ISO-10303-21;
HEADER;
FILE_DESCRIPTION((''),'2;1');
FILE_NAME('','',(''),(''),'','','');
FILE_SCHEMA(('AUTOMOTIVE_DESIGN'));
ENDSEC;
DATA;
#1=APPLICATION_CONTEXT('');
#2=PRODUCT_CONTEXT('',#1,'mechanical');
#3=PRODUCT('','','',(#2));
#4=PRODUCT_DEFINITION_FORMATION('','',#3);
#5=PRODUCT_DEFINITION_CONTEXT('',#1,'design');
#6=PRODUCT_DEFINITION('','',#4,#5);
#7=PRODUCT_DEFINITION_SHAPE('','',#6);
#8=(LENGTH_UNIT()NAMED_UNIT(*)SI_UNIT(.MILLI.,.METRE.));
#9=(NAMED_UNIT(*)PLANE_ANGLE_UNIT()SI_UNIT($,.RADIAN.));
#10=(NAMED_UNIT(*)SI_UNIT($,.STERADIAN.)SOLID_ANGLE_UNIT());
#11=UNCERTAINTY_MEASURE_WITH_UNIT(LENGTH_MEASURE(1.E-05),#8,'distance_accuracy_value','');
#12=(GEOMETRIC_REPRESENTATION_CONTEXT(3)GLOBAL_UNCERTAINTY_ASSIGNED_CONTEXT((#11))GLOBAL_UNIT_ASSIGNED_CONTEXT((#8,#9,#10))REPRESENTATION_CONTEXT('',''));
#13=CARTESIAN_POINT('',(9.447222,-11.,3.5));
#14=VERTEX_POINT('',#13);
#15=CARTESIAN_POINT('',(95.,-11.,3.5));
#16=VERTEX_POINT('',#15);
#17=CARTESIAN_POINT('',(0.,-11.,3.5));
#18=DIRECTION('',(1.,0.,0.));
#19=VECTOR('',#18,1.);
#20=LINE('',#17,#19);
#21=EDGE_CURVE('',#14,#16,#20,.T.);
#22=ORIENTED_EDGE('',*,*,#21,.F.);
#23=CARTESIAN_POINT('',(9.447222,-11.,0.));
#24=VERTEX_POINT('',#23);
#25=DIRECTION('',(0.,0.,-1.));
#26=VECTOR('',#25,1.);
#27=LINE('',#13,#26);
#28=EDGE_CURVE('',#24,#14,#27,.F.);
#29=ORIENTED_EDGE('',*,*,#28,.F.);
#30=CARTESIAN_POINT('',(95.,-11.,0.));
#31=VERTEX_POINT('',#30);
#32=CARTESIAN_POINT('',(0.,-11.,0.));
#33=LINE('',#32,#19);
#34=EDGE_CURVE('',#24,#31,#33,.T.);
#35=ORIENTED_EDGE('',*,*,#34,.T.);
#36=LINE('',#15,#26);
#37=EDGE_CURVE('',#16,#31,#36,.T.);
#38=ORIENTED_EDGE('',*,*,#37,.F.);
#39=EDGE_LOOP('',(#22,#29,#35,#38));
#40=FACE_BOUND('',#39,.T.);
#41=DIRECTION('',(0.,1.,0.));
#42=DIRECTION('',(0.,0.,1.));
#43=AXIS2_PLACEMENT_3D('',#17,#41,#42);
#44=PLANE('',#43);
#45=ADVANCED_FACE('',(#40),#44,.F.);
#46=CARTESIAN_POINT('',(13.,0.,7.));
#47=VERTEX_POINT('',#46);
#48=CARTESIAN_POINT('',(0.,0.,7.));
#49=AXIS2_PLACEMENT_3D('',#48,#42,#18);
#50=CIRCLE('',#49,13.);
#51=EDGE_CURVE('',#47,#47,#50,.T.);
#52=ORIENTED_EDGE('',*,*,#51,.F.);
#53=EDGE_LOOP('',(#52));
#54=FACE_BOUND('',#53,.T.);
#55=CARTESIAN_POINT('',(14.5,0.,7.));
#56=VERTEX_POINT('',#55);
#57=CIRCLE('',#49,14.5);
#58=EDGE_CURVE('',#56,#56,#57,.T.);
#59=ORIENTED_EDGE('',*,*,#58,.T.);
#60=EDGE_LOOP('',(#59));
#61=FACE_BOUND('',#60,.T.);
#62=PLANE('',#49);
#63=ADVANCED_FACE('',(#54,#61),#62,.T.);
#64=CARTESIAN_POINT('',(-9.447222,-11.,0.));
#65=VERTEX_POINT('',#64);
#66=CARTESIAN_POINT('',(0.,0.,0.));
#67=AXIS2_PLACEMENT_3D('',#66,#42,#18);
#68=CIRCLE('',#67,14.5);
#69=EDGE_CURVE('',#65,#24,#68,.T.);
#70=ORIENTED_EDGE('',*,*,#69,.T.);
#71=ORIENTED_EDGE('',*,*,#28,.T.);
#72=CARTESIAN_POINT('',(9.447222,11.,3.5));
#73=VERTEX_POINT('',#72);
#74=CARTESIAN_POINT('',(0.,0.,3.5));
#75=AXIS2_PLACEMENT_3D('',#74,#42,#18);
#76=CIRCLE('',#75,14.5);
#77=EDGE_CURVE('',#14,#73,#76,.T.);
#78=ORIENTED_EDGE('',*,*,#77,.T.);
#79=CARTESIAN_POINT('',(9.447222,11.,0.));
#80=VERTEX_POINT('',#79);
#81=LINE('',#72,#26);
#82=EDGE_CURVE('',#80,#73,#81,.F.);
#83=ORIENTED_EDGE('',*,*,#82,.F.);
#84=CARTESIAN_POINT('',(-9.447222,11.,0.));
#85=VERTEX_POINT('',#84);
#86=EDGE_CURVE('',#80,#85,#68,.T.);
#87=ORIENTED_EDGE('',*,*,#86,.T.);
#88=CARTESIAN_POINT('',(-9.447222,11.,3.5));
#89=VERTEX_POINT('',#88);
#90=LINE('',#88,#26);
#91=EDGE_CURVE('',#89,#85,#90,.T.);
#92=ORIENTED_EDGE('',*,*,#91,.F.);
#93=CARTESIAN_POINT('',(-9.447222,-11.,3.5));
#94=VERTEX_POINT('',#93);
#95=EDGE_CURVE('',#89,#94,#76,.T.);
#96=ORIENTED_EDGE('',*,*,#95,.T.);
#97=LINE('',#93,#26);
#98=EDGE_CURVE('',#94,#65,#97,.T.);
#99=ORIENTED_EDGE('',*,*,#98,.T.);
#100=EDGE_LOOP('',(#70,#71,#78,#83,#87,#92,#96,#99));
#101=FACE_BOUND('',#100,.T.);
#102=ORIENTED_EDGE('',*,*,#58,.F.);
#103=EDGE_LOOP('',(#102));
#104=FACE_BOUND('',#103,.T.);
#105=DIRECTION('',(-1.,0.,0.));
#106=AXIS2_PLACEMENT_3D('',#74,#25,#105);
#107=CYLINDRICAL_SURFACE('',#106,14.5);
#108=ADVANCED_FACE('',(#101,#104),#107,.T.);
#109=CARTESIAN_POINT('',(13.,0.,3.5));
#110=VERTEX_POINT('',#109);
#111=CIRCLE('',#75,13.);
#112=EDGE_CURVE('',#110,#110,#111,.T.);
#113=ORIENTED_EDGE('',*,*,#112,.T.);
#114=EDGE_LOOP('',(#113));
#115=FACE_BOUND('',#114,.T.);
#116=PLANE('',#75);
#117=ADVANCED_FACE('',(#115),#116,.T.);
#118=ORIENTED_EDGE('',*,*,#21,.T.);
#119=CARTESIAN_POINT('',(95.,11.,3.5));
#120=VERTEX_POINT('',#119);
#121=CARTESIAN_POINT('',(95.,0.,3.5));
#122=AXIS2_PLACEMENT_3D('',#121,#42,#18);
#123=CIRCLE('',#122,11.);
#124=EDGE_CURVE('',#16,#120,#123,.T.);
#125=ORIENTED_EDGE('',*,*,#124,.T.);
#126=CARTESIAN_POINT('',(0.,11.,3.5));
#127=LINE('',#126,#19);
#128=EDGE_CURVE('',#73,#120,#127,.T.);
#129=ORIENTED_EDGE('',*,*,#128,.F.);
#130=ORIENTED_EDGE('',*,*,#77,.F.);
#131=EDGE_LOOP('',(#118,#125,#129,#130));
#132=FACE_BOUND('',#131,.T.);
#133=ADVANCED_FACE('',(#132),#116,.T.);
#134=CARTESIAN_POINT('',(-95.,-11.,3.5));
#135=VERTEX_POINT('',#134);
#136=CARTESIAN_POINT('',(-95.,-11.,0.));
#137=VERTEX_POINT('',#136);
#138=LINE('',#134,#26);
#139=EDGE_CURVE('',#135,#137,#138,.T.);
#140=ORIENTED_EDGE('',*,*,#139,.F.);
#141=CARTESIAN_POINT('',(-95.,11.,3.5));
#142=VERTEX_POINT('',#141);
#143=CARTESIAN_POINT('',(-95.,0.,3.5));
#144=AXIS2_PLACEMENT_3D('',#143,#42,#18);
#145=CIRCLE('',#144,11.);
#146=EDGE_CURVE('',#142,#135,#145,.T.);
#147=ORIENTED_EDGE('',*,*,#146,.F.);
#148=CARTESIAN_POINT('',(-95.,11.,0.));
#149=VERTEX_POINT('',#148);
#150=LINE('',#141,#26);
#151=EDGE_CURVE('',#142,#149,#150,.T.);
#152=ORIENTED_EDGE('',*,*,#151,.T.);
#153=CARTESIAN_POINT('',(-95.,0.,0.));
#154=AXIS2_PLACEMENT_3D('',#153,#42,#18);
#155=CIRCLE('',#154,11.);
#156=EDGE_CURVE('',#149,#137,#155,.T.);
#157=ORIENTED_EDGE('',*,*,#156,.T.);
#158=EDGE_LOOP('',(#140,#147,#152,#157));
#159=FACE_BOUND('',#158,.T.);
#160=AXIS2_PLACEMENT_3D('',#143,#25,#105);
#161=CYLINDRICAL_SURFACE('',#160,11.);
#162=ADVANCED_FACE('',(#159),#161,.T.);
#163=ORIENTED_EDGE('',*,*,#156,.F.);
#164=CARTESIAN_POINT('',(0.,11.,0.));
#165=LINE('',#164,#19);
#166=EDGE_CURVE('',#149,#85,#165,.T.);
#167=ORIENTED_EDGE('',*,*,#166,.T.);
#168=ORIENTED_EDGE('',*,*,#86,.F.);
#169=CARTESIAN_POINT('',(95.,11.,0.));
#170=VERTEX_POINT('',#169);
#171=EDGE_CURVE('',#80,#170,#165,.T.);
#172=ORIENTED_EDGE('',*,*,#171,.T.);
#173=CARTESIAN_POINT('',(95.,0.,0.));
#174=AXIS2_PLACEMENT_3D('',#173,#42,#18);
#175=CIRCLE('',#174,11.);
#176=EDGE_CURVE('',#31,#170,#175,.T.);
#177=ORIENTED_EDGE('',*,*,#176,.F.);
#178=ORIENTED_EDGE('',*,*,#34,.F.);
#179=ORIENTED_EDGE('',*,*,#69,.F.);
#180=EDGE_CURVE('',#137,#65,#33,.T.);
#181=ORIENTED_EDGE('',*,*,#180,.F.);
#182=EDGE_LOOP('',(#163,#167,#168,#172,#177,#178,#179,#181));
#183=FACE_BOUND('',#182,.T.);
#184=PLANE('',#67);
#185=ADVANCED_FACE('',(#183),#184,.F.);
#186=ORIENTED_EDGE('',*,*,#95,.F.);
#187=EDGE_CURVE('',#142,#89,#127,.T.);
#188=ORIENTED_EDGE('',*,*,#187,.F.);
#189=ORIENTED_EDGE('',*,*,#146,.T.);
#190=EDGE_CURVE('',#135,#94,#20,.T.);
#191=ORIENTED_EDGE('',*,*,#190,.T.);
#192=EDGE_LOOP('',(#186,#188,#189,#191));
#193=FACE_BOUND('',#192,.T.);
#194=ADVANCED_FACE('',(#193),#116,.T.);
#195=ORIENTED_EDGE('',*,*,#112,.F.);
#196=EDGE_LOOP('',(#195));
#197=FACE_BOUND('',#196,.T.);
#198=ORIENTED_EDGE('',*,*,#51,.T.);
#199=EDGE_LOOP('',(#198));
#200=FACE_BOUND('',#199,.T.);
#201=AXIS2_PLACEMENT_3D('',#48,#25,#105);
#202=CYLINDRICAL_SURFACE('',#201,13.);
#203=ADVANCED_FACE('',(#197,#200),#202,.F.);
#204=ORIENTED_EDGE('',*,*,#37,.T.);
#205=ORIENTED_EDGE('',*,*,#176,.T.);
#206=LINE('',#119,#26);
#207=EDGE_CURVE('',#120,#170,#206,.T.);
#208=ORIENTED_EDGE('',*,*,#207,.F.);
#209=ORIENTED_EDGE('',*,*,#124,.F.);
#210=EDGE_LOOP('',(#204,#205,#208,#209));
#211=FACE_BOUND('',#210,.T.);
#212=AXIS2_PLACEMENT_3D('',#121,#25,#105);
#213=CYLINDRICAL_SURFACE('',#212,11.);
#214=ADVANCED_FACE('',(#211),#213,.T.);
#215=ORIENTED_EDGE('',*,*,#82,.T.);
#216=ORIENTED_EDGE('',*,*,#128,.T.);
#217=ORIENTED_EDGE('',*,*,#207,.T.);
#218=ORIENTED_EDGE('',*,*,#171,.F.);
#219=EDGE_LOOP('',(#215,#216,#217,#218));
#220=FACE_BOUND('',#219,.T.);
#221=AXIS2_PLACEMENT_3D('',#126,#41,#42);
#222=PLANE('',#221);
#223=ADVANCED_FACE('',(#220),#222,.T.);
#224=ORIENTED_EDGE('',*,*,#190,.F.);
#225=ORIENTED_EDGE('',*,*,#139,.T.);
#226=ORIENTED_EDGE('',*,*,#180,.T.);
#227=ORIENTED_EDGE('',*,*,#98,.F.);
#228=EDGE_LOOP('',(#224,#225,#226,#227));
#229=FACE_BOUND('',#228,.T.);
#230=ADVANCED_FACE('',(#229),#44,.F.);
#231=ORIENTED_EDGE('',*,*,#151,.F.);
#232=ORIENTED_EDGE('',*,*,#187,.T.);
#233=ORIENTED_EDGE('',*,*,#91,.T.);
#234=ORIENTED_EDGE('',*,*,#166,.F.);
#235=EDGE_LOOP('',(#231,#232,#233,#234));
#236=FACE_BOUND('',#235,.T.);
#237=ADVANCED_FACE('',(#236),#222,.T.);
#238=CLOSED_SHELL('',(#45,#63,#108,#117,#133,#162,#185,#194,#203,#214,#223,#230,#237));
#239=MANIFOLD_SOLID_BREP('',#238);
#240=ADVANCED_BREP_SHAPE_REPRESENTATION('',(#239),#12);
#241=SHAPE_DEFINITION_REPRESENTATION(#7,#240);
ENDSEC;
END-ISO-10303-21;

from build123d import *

# Parameters (mm, degrees)
SKETCH_3_R      = 14.5
SKETCH_3_R_2    = 11
SKETCH_3_W      = 190
SKETCH_3_H      = 22
EXTRUDE_2_DEPTH = 3.5
SKETCH_5_R      = 14.5
SKETCH_5_R_2    = 13
EXTRUDE_3_DEPTH = 3.5


with BuildPart() as part:
    # Эскиз3 → Бобышка-Вытянуть2 (new body)
    with BuildSketch(Plane.XY):
        Circle(SKETCH_3_R)
        with Locations((-95, 0)):
            Circle(SKETCH_3_R_2)
        with Locations((95, 0)):
            Circle(SKETCH_3_R_2)
        Rectangle(SKETCH_3_W, SKETCH_3_H)
    extrude(amount=EXTRUDE_2_DEPTH)

    # Эскиз5 → Бобышка-Вытянуть3 (add)
    with BuildSketch(Plane.XY.offset(3.5)):
        Circle(SKETCH_5_R)
        Circle(SKETCH_5_R_2, mode=Mode.SUBTRACT)
    extrude(amount=EXTRUDE_3_DEPTH)


solid = part.part
